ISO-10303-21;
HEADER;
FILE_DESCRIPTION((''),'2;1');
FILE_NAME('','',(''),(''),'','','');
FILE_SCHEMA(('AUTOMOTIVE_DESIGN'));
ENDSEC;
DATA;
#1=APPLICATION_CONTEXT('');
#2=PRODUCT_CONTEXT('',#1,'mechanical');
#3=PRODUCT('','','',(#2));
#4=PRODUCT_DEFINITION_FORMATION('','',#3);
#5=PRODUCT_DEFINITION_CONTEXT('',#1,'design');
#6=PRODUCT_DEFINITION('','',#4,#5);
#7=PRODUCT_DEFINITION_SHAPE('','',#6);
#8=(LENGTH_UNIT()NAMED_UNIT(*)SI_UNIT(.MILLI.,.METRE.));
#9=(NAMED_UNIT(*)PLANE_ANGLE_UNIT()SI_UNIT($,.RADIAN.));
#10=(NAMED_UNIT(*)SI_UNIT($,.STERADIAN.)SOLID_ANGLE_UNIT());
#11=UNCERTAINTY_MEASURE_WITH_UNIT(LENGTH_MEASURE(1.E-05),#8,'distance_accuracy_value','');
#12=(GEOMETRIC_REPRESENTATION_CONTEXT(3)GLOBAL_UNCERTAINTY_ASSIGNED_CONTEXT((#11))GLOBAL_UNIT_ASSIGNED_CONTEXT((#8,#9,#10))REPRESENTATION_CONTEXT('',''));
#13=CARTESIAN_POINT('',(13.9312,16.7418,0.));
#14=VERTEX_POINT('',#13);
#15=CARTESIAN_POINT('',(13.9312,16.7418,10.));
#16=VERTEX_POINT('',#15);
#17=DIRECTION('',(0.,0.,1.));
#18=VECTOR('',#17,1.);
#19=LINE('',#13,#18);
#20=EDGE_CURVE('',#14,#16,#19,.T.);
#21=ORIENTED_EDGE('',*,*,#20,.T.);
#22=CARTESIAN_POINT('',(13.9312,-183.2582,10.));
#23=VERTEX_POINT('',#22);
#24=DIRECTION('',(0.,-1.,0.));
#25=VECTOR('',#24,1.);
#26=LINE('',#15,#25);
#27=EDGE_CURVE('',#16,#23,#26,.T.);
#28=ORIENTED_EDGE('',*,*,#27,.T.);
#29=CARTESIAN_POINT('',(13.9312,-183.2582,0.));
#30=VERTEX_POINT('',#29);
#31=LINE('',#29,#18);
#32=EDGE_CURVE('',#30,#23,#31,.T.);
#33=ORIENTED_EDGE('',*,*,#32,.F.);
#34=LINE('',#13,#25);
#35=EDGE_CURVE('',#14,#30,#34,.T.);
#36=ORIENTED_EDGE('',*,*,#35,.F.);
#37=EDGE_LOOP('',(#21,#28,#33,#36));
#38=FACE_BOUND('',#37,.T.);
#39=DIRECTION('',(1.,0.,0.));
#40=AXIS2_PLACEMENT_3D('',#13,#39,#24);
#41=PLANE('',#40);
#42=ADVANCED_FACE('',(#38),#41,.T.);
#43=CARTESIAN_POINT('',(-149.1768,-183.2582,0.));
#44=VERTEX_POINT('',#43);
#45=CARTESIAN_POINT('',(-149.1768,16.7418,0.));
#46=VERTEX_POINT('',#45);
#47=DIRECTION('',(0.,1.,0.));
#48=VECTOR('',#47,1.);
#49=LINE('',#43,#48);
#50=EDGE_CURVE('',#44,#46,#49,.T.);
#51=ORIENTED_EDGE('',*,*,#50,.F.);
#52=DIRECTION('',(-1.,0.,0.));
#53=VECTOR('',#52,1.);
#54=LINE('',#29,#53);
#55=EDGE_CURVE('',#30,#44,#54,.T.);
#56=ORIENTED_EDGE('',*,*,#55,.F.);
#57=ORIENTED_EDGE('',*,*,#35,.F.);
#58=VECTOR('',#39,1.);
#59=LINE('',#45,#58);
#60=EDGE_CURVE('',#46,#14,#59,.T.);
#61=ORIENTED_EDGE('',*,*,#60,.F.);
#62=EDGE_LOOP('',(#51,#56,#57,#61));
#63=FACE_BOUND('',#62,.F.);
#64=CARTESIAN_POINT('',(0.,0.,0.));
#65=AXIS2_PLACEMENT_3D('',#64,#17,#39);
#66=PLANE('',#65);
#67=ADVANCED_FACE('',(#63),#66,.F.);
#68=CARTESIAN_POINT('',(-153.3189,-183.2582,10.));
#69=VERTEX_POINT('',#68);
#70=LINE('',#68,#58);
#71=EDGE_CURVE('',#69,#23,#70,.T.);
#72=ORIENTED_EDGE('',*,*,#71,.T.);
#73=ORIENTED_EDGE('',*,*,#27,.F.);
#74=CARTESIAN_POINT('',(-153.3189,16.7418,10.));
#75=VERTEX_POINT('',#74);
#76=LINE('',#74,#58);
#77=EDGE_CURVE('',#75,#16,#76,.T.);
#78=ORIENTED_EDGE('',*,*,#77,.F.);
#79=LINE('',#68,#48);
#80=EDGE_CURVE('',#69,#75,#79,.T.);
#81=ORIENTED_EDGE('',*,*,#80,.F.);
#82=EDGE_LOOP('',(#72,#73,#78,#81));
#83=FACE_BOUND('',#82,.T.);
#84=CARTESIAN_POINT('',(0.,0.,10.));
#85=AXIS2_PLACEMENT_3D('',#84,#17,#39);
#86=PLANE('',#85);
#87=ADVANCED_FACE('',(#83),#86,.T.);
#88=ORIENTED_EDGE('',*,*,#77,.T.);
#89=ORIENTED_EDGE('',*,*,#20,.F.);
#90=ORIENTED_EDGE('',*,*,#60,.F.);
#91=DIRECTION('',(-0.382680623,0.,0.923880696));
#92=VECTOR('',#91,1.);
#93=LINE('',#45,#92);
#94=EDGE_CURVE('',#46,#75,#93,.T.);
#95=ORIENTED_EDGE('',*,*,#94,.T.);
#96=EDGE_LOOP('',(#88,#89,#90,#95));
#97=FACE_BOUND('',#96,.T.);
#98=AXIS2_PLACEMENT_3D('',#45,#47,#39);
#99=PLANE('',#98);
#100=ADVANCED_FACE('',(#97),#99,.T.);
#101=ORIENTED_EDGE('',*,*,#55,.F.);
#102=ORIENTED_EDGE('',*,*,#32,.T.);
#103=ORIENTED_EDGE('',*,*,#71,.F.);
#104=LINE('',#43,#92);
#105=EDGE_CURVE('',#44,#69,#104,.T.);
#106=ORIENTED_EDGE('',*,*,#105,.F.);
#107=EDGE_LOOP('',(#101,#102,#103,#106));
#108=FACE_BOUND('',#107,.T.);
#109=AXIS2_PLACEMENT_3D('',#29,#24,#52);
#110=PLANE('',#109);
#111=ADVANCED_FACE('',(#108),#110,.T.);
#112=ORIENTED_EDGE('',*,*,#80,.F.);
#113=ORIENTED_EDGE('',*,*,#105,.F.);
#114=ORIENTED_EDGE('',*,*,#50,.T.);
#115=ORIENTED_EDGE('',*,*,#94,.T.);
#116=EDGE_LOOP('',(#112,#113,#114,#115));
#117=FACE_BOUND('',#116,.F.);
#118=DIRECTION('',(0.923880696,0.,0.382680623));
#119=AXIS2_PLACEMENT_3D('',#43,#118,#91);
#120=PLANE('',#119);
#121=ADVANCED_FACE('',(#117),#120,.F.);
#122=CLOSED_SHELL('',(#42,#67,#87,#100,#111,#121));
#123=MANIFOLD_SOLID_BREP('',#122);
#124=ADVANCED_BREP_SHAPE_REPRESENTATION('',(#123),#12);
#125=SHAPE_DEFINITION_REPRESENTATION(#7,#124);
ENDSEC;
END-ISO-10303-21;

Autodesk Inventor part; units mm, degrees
ref_plane "YZ Plane" through (0, 0, 0) normal (1, 0, 0) x (0, 1, 0)
ref_plane "XZ Plane" through (0, 0, 0) normal (0, 1, 0) x (-1, 0, 0)
ref_plane "XY Plane" through (0, 0, 0) normal (0, 0, 1) x (1, 0, 0)
sketch "Skizze1" plane through (0, 0, 0) normal (0, 0, 1) x (1, 0, 0)
  line L0 (-149.1768, 16.7418) -> (13.9312, 16.7418)
  line L1 (13.9312, 16.7418) -> (13.9312, -183.2582)
  line L2 (13.9312, -183.2582) -> (-149.1768, -183.2582)
  line L3 (-149.1768, -183.2582) -> (-149.1768, 16.7418)
  point P0 (0, 0)
  dimension "d0" = 200
  dimension "d1" = 163.108
extrude "Extrusion1" add sketch "Skizze1" along normal blind 10
sketch "Skizze3" plane through (-149.1768, -183.2582, 0) normal (0, -1, 0) x (1, 0, 0)
  line L0 (0, 0) -> (163.108, 0) projected
  line L1 (0, 0) -> (0, 10) projected
  line L2 (0, 0) -> (0, 10)
  line L3 (0, 0) -> (-4.1421, 10)
  line L4 (0, 10) -> (163.108, 10) projected
  line L5 (0, 10) -> (-4.1421, 10)
  point P0 (149.1768, 0)
  dimension "d4" = 22.5
extrude "Extrusion2" add sketch "Skizze3" against normal up to surface (200 mm away)
properties part number "PlatteAussenEineSeite"
